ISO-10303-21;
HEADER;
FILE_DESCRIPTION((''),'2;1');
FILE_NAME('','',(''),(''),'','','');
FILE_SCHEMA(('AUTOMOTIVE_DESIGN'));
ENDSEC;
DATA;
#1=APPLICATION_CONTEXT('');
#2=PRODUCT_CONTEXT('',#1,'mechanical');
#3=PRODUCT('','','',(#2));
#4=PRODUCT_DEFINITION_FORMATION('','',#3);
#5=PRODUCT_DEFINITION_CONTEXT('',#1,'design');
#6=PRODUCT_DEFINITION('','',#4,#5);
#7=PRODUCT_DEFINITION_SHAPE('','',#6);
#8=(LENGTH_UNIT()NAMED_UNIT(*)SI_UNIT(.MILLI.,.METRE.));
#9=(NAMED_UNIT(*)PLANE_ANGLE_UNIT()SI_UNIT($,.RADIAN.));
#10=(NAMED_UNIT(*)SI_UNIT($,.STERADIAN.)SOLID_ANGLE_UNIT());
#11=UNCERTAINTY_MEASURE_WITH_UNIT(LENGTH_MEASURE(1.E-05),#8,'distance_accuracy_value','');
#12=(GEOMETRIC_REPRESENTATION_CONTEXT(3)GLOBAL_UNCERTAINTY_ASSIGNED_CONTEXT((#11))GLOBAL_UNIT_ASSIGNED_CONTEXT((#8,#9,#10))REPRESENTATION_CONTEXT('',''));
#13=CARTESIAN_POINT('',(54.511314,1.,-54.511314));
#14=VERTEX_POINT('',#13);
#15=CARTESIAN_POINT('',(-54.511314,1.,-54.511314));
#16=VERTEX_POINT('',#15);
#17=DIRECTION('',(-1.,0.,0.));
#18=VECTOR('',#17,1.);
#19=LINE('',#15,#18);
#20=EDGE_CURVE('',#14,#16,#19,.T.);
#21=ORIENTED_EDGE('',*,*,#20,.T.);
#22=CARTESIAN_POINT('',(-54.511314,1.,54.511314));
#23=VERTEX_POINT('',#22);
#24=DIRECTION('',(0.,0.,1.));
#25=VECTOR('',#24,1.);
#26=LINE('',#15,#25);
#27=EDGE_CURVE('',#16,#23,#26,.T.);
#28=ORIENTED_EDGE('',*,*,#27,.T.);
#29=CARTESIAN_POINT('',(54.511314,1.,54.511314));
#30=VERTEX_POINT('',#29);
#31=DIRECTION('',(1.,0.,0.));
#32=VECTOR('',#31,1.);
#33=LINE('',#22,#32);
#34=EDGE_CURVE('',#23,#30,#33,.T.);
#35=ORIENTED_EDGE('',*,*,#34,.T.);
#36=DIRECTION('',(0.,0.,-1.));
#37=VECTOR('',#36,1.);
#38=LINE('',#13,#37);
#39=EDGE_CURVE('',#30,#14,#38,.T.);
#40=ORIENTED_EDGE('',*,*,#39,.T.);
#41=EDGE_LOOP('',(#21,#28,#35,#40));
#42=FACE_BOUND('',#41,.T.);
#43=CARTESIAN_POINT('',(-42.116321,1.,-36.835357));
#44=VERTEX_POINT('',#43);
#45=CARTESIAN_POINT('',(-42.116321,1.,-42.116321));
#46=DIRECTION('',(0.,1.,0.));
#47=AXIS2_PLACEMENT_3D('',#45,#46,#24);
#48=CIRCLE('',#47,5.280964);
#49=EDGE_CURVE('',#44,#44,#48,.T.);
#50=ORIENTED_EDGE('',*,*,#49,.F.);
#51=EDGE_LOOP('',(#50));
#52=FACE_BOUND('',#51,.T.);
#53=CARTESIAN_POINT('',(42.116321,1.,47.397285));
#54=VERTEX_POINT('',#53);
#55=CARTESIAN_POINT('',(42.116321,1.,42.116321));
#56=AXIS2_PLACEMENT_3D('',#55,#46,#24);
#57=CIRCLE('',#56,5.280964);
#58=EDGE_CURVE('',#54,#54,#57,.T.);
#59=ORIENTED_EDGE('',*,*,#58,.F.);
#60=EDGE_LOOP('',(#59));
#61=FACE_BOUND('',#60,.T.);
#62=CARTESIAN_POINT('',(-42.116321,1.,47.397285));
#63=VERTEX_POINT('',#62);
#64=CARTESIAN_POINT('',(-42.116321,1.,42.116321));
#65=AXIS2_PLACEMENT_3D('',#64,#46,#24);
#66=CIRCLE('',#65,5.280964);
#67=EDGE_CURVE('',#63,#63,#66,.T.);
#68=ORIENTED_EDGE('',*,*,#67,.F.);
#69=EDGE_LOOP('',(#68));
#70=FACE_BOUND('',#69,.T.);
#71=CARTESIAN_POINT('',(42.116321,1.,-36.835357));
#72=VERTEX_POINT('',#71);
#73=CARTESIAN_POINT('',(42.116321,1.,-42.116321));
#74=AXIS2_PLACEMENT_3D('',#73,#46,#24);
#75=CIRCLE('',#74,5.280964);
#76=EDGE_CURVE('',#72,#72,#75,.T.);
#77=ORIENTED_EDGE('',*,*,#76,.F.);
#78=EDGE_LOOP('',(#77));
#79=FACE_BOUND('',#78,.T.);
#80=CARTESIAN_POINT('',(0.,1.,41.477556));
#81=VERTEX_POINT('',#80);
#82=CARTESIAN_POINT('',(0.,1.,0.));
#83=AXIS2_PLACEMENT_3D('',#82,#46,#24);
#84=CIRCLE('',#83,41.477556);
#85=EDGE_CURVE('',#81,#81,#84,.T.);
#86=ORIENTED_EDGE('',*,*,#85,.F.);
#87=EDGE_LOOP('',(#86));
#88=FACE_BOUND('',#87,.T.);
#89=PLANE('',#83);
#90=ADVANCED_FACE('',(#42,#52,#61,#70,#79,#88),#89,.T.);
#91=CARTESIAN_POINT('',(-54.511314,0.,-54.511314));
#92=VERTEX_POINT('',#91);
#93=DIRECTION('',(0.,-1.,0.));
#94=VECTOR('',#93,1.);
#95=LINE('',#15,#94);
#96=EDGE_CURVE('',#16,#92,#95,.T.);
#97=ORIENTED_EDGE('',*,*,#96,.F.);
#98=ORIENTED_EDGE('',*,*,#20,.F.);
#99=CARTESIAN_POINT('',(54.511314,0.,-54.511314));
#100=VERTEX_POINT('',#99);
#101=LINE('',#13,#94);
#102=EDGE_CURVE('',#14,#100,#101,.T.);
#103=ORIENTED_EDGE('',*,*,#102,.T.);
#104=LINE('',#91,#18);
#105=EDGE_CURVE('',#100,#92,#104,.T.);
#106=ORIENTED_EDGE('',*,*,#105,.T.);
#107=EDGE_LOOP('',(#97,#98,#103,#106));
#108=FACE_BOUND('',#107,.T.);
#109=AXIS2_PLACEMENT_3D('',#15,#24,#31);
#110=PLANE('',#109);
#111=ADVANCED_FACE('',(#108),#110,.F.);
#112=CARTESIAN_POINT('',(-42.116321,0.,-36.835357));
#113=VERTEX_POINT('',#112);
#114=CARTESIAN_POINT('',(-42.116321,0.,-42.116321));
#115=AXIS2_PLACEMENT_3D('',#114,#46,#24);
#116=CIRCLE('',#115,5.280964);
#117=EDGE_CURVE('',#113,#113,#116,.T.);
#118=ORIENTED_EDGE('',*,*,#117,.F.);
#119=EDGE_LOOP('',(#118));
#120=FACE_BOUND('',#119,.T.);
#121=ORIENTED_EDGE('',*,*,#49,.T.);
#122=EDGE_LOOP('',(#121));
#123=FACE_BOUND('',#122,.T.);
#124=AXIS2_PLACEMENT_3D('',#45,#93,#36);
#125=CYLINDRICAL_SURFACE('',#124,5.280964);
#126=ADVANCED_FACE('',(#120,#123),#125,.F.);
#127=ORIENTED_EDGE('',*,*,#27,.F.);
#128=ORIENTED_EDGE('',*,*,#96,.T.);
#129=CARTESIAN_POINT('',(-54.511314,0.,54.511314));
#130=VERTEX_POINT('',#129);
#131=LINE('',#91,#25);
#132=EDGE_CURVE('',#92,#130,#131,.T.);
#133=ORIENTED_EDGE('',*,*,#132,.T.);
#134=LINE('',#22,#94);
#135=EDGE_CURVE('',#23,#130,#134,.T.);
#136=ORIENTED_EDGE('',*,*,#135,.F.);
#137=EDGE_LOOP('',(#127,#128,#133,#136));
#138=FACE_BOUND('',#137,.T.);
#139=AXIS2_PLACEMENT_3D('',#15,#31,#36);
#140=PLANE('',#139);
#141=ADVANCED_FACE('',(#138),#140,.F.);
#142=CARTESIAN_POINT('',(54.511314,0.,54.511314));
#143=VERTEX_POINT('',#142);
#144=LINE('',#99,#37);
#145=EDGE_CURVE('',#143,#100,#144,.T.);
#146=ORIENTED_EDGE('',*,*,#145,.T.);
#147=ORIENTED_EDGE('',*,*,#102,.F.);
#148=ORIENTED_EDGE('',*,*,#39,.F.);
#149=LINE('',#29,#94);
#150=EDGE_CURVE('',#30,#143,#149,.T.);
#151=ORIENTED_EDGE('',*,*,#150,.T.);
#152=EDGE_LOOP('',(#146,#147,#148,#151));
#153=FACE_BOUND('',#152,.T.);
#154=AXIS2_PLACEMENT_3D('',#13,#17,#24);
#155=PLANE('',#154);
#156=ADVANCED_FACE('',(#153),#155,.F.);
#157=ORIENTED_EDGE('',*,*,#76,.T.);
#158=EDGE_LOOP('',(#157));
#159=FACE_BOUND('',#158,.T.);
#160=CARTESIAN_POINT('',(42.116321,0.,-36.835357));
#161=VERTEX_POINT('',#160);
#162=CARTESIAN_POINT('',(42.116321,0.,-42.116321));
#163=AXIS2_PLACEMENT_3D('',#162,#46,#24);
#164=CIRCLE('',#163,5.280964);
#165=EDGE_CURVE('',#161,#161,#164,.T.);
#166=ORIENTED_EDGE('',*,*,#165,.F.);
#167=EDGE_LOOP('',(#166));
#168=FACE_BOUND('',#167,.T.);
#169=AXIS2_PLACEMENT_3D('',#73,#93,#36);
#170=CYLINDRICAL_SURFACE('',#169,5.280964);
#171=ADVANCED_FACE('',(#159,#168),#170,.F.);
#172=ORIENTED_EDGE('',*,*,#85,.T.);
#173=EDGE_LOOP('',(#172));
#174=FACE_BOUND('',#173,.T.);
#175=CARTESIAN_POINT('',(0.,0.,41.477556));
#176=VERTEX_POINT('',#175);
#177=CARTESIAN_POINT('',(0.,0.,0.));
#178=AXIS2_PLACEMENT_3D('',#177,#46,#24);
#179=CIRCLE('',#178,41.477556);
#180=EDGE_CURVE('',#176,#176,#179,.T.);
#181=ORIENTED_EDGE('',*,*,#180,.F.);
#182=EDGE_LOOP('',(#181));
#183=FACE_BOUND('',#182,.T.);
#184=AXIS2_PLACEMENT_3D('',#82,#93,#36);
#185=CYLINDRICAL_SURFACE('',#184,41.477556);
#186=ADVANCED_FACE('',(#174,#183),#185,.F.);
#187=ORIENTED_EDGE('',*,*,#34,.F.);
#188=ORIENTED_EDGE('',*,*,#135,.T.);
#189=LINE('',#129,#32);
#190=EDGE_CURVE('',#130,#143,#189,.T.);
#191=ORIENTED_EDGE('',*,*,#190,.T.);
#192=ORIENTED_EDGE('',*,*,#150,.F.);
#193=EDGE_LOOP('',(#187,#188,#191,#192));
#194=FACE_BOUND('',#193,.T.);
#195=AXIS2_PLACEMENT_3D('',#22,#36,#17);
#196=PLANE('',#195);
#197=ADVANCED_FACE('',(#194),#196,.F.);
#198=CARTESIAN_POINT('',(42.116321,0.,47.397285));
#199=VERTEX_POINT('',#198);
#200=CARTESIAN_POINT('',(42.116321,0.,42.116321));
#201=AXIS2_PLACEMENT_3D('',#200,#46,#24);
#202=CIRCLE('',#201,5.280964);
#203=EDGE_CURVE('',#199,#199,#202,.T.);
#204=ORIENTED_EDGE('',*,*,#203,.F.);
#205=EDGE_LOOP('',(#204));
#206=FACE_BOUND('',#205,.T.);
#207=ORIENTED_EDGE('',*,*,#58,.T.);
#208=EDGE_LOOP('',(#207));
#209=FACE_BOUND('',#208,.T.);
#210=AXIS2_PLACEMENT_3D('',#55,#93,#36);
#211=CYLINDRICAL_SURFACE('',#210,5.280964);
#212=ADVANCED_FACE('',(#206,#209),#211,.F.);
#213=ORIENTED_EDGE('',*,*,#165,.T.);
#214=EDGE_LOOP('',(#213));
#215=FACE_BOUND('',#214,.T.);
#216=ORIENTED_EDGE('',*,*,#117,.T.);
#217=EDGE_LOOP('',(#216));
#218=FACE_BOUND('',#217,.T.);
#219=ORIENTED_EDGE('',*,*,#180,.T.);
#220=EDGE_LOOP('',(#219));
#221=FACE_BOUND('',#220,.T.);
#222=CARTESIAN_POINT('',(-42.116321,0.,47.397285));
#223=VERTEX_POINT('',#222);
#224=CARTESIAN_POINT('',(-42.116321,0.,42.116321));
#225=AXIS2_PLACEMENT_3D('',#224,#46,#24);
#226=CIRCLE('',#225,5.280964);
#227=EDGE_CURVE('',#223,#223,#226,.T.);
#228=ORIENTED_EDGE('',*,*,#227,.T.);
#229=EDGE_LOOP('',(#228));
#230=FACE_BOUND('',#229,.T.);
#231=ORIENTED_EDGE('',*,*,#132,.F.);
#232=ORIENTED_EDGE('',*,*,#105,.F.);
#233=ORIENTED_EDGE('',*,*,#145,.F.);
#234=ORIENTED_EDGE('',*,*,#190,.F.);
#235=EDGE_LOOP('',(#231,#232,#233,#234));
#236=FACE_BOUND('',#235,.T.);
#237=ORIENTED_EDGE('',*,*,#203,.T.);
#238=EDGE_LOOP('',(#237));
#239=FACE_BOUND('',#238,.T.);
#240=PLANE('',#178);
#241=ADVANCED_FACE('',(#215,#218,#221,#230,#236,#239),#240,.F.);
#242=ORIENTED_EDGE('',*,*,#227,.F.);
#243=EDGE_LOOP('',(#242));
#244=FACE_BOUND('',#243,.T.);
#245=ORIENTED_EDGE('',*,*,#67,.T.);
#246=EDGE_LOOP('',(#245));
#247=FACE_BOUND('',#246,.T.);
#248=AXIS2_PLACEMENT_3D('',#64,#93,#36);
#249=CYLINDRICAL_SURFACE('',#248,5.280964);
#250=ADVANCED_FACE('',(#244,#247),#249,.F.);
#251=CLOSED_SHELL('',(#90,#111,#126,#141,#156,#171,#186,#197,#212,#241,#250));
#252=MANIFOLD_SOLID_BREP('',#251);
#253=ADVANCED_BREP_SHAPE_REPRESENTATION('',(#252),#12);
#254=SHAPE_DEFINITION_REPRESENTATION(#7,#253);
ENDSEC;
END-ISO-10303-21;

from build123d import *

# Parameters (mm, degrees)
SKETCH1_W           = 109.022628276
SKETCH1_H           = 109.022628276
SKETCH1_R           = 41.477555821
SKETCH1_R_2         = 5.280963553
BOSS_EXTRUDE1_DEPTH = 1


with BuildPart() as part:
    # Sketch1 → Boss-Extrude1 (new body)
    with BuildSketch(Plane(origin=(0, 0, 0), x_dir=(1, 0, 0), z_dir=(0, 1, 0))):
        Rectangle(SKETCH1_W, SKETCH1_H)
        with Locations(Location((0, 0, 0), (0, 0, 270))):
            Circle(SKETCH1_R, mode=Mode.SUBTRACT)
        with Locations(Location((42.116320947, 42.116320947, 0), (0, 0, 270))):
            Circle(SKETCH1_R_2, mode=Mode.SUBTRACT)
        with Locations(Location((42.116320947, -42.116320947, 0), (0, 0, 270))):
            Circle(SKETCH1_R_2, mode=Mode.SUBTRACT)
        with Locations(Location((-42.116320947, -42.116320947, 0), (0, 0, 270))):
            Circle(SKETCH1_R_2, mode=Mode.SUBTRACT)
        with Locations(Location((-42.116320947, 42.116320947, 0), (0, 0, 270))):
            Circle(SKETCH1_R_2, mode=Mode.SUBTRACT)
    extrude(amount=BOSS_EXTRUDE1_DEPTH)


solid = part.part
